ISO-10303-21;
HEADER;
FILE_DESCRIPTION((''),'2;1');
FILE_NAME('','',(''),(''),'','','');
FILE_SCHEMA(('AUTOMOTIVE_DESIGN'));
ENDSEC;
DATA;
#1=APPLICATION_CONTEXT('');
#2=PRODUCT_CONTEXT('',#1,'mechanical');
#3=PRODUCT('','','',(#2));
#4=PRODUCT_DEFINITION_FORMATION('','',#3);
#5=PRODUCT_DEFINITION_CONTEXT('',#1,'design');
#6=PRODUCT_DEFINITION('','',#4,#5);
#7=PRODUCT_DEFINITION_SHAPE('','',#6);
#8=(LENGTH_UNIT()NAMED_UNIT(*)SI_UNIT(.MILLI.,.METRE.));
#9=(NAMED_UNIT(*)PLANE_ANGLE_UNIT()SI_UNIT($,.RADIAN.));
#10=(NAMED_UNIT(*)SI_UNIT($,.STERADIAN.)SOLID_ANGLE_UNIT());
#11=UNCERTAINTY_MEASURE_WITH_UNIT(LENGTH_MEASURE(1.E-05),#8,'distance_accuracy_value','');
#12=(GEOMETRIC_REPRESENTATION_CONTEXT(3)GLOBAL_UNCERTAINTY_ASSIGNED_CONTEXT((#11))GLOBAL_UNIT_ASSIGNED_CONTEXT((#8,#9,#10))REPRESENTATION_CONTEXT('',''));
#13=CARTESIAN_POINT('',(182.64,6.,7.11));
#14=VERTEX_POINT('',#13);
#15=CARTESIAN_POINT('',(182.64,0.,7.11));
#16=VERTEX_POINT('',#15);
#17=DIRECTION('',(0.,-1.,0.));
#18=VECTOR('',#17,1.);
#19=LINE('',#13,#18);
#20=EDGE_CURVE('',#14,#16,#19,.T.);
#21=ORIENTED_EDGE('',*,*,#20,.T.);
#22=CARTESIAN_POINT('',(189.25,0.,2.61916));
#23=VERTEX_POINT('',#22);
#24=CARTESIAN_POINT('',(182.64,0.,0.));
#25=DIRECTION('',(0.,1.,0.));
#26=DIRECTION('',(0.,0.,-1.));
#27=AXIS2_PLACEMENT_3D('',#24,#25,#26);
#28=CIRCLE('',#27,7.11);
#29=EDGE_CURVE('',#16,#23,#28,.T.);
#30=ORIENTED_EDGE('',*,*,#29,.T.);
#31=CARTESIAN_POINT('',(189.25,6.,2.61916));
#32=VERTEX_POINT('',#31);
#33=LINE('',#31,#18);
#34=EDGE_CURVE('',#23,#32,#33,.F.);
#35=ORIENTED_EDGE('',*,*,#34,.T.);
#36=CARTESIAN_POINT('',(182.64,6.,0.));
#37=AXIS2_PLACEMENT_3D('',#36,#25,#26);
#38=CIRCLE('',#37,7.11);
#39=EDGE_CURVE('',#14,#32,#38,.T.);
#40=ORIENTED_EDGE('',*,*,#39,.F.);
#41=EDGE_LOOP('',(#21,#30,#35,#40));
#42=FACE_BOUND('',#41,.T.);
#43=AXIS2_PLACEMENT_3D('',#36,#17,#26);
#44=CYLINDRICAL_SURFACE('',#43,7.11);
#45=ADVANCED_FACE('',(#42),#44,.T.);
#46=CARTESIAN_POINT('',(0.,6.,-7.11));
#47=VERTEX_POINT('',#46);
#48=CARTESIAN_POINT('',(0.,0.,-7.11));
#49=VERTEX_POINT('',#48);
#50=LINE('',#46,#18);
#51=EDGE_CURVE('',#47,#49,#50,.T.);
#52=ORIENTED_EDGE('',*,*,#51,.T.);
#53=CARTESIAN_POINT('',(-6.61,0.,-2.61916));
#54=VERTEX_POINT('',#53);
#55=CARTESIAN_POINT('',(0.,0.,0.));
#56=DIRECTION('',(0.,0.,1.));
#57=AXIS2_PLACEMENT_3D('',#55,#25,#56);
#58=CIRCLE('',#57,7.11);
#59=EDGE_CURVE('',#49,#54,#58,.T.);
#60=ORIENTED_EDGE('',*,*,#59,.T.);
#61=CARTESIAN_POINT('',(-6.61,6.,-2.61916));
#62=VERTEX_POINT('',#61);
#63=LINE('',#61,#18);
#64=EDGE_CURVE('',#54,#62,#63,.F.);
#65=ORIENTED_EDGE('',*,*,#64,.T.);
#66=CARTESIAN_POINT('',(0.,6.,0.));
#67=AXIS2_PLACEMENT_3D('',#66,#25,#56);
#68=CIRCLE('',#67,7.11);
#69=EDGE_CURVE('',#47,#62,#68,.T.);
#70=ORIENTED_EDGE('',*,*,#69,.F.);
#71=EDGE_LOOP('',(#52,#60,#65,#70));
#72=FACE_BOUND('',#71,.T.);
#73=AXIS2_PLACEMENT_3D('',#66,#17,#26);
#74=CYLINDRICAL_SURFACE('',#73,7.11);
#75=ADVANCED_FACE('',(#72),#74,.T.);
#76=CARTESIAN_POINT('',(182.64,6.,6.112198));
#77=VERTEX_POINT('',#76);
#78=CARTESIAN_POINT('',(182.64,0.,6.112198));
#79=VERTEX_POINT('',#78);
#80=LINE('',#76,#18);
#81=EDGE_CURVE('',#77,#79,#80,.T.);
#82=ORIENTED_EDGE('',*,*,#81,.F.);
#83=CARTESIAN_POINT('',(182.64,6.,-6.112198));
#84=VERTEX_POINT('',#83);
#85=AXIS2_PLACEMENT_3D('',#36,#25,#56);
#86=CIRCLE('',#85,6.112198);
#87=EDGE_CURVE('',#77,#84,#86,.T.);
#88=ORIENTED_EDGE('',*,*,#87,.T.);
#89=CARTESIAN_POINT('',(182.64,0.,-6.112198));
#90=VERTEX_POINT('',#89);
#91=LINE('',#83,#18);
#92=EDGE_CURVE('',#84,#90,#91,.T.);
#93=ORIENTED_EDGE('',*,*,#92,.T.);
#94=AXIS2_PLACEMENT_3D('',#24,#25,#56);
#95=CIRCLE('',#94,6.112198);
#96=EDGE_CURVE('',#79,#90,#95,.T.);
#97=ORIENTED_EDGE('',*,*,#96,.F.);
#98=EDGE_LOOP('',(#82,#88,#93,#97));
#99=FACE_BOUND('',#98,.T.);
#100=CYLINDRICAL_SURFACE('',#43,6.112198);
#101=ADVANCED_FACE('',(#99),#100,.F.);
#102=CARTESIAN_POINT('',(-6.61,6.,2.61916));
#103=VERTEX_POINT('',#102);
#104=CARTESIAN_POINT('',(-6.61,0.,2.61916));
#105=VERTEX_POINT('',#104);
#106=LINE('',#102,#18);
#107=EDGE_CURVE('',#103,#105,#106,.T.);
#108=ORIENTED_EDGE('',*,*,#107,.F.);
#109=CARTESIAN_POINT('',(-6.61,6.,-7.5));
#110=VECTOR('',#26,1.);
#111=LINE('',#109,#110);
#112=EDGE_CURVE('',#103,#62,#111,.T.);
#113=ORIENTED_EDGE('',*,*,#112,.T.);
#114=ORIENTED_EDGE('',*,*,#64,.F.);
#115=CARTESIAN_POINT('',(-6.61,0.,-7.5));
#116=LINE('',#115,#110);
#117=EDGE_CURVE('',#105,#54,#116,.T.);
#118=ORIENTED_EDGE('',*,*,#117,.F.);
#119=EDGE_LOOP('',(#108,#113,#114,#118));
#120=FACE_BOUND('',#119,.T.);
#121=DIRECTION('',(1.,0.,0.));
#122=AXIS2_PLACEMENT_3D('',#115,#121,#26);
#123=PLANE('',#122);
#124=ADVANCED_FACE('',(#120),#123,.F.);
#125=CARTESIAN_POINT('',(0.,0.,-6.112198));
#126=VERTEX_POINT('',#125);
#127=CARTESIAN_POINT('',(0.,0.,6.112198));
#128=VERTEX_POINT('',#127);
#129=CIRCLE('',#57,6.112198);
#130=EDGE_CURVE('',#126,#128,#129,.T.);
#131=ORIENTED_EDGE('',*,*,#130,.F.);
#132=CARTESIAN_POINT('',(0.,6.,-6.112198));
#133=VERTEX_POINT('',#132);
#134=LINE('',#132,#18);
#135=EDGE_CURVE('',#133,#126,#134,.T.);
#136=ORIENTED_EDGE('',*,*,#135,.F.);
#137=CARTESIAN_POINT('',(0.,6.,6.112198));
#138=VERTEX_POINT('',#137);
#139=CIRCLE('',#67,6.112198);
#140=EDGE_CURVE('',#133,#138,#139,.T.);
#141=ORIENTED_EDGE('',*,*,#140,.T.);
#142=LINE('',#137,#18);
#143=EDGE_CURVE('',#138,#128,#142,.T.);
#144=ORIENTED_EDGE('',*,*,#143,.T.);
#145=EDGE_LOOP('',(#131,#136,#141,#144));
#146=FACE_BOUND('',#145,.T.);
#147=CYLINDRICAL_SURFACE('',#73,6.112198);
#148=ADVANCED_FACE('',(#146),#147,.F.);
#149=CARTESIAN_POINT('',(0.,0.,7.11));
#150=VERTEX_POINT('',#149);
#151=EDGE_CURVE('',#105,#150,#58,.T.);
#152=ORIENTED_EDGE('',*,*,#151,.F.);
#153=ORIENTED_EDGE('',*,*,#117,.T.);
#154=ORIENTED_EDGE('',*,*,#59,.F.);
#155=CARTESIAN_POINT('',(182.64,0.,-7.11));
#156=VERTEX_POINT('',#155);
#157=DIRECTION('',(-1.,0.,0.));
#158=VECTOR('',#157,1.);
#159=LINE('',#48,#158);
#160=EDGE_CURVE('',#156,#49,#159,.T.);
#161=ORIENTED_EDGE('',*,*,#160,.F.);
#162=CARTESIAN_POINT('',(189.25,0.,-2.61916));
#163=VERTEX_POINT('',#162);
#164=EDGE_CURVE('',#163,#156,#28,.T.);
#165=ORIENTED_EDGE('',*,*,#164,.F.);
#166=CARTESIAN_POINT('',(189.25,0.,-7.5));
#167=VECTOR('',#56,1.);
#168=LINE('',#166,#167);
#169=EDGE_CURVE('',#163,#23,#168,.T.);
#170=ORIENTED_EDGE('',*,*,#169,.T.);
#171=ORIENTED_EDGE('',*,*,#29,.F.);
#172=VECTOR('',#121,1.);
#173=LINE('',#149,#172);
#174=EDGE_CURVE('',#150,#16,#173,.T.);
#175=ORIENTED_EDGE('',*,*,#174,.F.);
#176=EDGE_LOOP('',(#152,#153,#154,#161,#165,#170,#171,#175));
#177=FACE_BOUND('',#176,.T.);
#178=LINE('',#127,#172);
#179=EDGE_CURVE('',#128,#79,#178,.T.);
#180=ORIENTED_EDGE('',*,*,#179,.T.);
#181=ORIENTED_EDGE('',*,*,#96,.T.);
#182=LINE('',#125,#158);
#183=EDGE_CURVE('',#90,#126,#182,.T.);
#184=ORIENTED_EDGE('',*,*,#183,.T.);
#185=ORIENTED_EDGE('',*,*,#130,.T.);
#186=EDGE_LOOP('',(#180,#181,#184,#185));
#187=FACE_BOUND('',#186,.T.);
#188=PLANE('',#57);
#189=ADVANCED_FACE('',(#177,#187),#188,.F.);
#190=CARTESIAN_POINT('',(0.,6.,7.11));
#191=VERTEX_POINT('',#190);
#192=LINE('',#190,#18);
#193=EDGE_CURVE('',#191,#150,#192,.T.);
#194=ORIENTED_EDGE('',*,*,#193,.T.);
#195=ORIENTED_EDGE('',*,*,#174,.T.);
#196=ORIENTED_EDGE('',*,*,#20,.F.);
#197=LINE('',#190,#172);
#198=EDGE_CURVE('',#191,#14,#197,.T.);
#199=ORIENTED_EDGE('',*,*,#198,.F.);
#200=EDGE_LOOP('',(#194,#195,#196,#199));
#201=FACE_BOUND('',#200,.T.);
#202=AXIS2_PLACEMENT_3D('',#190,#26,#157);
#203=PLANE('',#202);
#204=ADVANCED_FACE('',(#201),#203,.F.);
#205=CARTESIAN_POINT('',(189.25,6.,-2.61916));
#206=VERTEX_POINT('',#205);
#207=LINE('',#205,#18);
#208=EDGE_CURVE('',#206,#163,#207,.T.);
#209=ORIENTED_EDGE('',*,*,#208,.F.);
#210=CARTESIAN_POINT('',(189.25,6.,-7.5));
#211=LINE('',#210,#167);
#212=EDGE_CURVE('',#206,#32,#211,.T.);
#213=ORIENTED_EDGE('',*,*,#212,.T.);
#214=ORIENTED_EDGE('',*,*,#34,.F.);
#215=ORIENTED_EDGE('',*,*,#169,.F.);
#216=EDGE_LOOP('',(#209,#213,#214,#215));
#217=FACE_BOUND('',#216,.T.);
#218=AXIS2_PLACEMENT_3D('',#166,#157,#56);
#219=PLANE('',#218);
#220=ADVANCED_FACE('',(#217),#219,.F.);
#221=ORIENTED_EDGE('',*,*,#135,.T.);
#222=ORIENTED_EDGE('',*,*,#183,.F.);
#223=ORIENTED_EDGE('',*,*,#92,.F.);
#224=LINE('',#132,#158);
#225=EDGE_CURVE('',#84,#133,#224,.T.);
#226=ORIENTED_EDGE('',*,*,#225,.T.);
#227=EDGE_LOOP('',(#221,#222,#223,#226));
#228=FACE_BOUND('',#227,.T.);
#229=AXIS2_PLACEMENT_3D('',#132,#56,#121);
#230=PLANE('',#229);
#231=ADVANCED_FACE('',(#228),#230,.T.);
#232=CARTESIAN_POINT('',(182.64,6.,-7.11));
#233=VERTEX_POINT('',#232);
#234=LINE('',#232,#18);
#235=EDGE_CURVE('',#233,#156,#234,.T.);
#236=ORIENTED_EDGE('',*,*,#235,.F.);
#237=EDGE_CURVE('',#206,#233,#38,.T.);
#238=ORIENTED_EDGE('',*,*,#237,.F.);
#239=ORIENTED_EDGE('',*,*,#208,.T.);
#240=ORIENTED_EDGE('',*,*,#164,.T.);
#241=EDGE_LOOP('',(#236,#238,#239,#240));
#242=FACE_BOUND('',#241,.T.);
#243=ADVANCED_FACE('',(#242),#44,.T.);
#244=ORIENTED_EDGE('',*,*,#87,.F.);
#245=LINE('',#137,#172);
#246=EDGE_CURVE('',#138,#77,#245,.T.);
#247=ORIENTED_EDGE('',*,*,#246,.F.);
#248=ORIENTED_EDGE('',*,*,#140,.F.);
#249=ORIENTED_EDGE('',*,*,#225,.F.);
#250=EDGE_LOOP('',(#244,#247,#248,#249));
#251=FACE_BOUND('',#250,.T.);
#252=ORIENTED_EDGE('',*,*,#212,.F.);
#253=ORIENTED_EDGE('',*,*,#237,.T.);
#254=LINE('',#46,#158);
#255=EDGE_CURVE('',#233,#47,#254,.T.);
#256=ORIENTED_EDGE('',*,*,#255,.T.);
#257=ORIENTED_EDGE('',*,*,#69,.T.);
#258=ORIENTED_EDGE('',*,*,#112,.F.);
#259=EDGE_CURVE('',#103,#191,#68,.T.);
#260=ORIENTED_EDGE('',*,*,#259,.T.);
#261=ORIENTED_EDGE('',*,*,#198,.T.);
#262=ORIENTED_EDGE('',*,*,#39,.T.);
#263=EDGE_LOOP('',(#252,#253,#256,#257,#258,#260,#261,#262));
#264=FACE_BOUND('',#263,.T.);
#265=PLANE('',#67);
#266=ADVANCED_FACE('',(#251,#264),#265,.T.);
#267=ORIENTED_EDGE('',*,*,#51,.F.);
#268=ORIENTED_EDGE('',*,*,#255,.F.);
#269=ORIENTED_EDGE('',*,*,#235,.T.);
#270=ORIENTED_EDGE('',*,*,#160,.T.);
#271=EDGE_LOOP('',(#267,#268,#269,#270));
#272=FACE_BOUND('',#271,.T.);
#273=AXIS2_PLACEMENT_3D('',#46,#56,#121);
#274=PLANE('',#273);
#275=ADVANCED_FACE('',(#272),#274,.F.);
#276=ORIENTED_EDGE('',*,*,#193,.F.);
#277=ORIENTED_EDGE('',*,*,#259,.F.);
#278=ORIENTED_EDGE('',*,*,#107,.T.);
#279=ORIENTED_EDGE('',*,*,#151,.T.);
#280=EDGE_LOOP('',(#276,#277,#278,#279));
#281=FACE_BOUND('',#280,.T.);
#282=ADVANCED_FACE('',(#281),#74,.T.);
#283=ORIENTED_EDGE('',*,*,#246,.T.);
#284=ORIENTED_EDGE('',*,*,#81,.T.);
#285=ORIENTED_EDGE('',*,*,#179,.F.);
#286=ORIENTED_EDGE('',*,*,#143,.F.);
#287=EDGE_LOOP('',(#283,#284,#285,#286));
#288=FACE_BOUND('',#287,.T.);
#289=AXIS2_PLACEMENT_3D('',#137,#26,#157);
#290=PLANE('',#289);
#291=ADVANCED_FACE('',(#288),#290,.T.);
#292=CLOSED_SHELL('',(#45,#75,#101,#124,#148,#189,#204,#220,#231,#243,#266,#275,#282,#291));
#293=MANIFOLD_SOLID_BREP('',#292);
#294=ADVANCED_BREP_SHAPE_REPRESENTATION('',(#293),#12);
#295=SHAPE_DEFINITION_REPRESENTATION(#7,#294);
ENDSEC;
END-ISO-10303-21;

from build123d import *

# Parameters (mm, degrees)
BOSS_EXTRUDE1_DEPTH = 6
SKETCH2_W           = 1
SKETCH2_H           = 15
CUT_EXTRUDE1_DEPTH  = 190.977931876


with BuildPart() as part:
    # Sketch1 → Boss-Extrude1 (new body)
    with BuildSketch(Plane(origin=(0, 0, 0), x_dir=(1, 0, 0), z_dir=(0, 1, 0))):
        with BuildLine():
            Line((0, 7.11), (182.64, 7.11))
            ThreePointArc((182.64, 7.11), (189.75, 0), (182.64, -7.11))
            Line((182.64, -7.11), (0, -7.11))
            ThreePointArc((0, -7.11), (-7.11, 0), (0, 7.11))
        make_face()
        with BuildLine():
            Line((0, 6.112197724), (182.64, 6.112197724))
            ThreePointArc((182.64, 6.112197724), (188.752197724, 0), (182.64, -6.112197724))
            Line((182.64, -6.112197724), (0, -6.112197724))
            ThreePointArc((0, -6.112197724), (-6.112197724, 0), (0, 6.112197724))
        make_face(mode=Mode.SUBTRACT)
    extrude(amount=BOSS_EXTRUDE1_DEPTH)

    # Sketch2 → Cut-Extrude1 (cut, through all)
    with BuildSketch(Plane(origin=(0, 6, 0), x_dir=(1, 0, 0), z_dir=(0, 1, 0))):
        with Locations((189.75, 0)):
            Rectangle(SKETCH2_W, SKETCH2_H)
        with Locations((-7.11, 0)):
            Rectangle(SKETCH2_W, SKETCH2_H)
    extrude(amount=-CUT_EXTRUDE1_DEPTH, mode=Mode.SUBTRACT)


solid = part.part
